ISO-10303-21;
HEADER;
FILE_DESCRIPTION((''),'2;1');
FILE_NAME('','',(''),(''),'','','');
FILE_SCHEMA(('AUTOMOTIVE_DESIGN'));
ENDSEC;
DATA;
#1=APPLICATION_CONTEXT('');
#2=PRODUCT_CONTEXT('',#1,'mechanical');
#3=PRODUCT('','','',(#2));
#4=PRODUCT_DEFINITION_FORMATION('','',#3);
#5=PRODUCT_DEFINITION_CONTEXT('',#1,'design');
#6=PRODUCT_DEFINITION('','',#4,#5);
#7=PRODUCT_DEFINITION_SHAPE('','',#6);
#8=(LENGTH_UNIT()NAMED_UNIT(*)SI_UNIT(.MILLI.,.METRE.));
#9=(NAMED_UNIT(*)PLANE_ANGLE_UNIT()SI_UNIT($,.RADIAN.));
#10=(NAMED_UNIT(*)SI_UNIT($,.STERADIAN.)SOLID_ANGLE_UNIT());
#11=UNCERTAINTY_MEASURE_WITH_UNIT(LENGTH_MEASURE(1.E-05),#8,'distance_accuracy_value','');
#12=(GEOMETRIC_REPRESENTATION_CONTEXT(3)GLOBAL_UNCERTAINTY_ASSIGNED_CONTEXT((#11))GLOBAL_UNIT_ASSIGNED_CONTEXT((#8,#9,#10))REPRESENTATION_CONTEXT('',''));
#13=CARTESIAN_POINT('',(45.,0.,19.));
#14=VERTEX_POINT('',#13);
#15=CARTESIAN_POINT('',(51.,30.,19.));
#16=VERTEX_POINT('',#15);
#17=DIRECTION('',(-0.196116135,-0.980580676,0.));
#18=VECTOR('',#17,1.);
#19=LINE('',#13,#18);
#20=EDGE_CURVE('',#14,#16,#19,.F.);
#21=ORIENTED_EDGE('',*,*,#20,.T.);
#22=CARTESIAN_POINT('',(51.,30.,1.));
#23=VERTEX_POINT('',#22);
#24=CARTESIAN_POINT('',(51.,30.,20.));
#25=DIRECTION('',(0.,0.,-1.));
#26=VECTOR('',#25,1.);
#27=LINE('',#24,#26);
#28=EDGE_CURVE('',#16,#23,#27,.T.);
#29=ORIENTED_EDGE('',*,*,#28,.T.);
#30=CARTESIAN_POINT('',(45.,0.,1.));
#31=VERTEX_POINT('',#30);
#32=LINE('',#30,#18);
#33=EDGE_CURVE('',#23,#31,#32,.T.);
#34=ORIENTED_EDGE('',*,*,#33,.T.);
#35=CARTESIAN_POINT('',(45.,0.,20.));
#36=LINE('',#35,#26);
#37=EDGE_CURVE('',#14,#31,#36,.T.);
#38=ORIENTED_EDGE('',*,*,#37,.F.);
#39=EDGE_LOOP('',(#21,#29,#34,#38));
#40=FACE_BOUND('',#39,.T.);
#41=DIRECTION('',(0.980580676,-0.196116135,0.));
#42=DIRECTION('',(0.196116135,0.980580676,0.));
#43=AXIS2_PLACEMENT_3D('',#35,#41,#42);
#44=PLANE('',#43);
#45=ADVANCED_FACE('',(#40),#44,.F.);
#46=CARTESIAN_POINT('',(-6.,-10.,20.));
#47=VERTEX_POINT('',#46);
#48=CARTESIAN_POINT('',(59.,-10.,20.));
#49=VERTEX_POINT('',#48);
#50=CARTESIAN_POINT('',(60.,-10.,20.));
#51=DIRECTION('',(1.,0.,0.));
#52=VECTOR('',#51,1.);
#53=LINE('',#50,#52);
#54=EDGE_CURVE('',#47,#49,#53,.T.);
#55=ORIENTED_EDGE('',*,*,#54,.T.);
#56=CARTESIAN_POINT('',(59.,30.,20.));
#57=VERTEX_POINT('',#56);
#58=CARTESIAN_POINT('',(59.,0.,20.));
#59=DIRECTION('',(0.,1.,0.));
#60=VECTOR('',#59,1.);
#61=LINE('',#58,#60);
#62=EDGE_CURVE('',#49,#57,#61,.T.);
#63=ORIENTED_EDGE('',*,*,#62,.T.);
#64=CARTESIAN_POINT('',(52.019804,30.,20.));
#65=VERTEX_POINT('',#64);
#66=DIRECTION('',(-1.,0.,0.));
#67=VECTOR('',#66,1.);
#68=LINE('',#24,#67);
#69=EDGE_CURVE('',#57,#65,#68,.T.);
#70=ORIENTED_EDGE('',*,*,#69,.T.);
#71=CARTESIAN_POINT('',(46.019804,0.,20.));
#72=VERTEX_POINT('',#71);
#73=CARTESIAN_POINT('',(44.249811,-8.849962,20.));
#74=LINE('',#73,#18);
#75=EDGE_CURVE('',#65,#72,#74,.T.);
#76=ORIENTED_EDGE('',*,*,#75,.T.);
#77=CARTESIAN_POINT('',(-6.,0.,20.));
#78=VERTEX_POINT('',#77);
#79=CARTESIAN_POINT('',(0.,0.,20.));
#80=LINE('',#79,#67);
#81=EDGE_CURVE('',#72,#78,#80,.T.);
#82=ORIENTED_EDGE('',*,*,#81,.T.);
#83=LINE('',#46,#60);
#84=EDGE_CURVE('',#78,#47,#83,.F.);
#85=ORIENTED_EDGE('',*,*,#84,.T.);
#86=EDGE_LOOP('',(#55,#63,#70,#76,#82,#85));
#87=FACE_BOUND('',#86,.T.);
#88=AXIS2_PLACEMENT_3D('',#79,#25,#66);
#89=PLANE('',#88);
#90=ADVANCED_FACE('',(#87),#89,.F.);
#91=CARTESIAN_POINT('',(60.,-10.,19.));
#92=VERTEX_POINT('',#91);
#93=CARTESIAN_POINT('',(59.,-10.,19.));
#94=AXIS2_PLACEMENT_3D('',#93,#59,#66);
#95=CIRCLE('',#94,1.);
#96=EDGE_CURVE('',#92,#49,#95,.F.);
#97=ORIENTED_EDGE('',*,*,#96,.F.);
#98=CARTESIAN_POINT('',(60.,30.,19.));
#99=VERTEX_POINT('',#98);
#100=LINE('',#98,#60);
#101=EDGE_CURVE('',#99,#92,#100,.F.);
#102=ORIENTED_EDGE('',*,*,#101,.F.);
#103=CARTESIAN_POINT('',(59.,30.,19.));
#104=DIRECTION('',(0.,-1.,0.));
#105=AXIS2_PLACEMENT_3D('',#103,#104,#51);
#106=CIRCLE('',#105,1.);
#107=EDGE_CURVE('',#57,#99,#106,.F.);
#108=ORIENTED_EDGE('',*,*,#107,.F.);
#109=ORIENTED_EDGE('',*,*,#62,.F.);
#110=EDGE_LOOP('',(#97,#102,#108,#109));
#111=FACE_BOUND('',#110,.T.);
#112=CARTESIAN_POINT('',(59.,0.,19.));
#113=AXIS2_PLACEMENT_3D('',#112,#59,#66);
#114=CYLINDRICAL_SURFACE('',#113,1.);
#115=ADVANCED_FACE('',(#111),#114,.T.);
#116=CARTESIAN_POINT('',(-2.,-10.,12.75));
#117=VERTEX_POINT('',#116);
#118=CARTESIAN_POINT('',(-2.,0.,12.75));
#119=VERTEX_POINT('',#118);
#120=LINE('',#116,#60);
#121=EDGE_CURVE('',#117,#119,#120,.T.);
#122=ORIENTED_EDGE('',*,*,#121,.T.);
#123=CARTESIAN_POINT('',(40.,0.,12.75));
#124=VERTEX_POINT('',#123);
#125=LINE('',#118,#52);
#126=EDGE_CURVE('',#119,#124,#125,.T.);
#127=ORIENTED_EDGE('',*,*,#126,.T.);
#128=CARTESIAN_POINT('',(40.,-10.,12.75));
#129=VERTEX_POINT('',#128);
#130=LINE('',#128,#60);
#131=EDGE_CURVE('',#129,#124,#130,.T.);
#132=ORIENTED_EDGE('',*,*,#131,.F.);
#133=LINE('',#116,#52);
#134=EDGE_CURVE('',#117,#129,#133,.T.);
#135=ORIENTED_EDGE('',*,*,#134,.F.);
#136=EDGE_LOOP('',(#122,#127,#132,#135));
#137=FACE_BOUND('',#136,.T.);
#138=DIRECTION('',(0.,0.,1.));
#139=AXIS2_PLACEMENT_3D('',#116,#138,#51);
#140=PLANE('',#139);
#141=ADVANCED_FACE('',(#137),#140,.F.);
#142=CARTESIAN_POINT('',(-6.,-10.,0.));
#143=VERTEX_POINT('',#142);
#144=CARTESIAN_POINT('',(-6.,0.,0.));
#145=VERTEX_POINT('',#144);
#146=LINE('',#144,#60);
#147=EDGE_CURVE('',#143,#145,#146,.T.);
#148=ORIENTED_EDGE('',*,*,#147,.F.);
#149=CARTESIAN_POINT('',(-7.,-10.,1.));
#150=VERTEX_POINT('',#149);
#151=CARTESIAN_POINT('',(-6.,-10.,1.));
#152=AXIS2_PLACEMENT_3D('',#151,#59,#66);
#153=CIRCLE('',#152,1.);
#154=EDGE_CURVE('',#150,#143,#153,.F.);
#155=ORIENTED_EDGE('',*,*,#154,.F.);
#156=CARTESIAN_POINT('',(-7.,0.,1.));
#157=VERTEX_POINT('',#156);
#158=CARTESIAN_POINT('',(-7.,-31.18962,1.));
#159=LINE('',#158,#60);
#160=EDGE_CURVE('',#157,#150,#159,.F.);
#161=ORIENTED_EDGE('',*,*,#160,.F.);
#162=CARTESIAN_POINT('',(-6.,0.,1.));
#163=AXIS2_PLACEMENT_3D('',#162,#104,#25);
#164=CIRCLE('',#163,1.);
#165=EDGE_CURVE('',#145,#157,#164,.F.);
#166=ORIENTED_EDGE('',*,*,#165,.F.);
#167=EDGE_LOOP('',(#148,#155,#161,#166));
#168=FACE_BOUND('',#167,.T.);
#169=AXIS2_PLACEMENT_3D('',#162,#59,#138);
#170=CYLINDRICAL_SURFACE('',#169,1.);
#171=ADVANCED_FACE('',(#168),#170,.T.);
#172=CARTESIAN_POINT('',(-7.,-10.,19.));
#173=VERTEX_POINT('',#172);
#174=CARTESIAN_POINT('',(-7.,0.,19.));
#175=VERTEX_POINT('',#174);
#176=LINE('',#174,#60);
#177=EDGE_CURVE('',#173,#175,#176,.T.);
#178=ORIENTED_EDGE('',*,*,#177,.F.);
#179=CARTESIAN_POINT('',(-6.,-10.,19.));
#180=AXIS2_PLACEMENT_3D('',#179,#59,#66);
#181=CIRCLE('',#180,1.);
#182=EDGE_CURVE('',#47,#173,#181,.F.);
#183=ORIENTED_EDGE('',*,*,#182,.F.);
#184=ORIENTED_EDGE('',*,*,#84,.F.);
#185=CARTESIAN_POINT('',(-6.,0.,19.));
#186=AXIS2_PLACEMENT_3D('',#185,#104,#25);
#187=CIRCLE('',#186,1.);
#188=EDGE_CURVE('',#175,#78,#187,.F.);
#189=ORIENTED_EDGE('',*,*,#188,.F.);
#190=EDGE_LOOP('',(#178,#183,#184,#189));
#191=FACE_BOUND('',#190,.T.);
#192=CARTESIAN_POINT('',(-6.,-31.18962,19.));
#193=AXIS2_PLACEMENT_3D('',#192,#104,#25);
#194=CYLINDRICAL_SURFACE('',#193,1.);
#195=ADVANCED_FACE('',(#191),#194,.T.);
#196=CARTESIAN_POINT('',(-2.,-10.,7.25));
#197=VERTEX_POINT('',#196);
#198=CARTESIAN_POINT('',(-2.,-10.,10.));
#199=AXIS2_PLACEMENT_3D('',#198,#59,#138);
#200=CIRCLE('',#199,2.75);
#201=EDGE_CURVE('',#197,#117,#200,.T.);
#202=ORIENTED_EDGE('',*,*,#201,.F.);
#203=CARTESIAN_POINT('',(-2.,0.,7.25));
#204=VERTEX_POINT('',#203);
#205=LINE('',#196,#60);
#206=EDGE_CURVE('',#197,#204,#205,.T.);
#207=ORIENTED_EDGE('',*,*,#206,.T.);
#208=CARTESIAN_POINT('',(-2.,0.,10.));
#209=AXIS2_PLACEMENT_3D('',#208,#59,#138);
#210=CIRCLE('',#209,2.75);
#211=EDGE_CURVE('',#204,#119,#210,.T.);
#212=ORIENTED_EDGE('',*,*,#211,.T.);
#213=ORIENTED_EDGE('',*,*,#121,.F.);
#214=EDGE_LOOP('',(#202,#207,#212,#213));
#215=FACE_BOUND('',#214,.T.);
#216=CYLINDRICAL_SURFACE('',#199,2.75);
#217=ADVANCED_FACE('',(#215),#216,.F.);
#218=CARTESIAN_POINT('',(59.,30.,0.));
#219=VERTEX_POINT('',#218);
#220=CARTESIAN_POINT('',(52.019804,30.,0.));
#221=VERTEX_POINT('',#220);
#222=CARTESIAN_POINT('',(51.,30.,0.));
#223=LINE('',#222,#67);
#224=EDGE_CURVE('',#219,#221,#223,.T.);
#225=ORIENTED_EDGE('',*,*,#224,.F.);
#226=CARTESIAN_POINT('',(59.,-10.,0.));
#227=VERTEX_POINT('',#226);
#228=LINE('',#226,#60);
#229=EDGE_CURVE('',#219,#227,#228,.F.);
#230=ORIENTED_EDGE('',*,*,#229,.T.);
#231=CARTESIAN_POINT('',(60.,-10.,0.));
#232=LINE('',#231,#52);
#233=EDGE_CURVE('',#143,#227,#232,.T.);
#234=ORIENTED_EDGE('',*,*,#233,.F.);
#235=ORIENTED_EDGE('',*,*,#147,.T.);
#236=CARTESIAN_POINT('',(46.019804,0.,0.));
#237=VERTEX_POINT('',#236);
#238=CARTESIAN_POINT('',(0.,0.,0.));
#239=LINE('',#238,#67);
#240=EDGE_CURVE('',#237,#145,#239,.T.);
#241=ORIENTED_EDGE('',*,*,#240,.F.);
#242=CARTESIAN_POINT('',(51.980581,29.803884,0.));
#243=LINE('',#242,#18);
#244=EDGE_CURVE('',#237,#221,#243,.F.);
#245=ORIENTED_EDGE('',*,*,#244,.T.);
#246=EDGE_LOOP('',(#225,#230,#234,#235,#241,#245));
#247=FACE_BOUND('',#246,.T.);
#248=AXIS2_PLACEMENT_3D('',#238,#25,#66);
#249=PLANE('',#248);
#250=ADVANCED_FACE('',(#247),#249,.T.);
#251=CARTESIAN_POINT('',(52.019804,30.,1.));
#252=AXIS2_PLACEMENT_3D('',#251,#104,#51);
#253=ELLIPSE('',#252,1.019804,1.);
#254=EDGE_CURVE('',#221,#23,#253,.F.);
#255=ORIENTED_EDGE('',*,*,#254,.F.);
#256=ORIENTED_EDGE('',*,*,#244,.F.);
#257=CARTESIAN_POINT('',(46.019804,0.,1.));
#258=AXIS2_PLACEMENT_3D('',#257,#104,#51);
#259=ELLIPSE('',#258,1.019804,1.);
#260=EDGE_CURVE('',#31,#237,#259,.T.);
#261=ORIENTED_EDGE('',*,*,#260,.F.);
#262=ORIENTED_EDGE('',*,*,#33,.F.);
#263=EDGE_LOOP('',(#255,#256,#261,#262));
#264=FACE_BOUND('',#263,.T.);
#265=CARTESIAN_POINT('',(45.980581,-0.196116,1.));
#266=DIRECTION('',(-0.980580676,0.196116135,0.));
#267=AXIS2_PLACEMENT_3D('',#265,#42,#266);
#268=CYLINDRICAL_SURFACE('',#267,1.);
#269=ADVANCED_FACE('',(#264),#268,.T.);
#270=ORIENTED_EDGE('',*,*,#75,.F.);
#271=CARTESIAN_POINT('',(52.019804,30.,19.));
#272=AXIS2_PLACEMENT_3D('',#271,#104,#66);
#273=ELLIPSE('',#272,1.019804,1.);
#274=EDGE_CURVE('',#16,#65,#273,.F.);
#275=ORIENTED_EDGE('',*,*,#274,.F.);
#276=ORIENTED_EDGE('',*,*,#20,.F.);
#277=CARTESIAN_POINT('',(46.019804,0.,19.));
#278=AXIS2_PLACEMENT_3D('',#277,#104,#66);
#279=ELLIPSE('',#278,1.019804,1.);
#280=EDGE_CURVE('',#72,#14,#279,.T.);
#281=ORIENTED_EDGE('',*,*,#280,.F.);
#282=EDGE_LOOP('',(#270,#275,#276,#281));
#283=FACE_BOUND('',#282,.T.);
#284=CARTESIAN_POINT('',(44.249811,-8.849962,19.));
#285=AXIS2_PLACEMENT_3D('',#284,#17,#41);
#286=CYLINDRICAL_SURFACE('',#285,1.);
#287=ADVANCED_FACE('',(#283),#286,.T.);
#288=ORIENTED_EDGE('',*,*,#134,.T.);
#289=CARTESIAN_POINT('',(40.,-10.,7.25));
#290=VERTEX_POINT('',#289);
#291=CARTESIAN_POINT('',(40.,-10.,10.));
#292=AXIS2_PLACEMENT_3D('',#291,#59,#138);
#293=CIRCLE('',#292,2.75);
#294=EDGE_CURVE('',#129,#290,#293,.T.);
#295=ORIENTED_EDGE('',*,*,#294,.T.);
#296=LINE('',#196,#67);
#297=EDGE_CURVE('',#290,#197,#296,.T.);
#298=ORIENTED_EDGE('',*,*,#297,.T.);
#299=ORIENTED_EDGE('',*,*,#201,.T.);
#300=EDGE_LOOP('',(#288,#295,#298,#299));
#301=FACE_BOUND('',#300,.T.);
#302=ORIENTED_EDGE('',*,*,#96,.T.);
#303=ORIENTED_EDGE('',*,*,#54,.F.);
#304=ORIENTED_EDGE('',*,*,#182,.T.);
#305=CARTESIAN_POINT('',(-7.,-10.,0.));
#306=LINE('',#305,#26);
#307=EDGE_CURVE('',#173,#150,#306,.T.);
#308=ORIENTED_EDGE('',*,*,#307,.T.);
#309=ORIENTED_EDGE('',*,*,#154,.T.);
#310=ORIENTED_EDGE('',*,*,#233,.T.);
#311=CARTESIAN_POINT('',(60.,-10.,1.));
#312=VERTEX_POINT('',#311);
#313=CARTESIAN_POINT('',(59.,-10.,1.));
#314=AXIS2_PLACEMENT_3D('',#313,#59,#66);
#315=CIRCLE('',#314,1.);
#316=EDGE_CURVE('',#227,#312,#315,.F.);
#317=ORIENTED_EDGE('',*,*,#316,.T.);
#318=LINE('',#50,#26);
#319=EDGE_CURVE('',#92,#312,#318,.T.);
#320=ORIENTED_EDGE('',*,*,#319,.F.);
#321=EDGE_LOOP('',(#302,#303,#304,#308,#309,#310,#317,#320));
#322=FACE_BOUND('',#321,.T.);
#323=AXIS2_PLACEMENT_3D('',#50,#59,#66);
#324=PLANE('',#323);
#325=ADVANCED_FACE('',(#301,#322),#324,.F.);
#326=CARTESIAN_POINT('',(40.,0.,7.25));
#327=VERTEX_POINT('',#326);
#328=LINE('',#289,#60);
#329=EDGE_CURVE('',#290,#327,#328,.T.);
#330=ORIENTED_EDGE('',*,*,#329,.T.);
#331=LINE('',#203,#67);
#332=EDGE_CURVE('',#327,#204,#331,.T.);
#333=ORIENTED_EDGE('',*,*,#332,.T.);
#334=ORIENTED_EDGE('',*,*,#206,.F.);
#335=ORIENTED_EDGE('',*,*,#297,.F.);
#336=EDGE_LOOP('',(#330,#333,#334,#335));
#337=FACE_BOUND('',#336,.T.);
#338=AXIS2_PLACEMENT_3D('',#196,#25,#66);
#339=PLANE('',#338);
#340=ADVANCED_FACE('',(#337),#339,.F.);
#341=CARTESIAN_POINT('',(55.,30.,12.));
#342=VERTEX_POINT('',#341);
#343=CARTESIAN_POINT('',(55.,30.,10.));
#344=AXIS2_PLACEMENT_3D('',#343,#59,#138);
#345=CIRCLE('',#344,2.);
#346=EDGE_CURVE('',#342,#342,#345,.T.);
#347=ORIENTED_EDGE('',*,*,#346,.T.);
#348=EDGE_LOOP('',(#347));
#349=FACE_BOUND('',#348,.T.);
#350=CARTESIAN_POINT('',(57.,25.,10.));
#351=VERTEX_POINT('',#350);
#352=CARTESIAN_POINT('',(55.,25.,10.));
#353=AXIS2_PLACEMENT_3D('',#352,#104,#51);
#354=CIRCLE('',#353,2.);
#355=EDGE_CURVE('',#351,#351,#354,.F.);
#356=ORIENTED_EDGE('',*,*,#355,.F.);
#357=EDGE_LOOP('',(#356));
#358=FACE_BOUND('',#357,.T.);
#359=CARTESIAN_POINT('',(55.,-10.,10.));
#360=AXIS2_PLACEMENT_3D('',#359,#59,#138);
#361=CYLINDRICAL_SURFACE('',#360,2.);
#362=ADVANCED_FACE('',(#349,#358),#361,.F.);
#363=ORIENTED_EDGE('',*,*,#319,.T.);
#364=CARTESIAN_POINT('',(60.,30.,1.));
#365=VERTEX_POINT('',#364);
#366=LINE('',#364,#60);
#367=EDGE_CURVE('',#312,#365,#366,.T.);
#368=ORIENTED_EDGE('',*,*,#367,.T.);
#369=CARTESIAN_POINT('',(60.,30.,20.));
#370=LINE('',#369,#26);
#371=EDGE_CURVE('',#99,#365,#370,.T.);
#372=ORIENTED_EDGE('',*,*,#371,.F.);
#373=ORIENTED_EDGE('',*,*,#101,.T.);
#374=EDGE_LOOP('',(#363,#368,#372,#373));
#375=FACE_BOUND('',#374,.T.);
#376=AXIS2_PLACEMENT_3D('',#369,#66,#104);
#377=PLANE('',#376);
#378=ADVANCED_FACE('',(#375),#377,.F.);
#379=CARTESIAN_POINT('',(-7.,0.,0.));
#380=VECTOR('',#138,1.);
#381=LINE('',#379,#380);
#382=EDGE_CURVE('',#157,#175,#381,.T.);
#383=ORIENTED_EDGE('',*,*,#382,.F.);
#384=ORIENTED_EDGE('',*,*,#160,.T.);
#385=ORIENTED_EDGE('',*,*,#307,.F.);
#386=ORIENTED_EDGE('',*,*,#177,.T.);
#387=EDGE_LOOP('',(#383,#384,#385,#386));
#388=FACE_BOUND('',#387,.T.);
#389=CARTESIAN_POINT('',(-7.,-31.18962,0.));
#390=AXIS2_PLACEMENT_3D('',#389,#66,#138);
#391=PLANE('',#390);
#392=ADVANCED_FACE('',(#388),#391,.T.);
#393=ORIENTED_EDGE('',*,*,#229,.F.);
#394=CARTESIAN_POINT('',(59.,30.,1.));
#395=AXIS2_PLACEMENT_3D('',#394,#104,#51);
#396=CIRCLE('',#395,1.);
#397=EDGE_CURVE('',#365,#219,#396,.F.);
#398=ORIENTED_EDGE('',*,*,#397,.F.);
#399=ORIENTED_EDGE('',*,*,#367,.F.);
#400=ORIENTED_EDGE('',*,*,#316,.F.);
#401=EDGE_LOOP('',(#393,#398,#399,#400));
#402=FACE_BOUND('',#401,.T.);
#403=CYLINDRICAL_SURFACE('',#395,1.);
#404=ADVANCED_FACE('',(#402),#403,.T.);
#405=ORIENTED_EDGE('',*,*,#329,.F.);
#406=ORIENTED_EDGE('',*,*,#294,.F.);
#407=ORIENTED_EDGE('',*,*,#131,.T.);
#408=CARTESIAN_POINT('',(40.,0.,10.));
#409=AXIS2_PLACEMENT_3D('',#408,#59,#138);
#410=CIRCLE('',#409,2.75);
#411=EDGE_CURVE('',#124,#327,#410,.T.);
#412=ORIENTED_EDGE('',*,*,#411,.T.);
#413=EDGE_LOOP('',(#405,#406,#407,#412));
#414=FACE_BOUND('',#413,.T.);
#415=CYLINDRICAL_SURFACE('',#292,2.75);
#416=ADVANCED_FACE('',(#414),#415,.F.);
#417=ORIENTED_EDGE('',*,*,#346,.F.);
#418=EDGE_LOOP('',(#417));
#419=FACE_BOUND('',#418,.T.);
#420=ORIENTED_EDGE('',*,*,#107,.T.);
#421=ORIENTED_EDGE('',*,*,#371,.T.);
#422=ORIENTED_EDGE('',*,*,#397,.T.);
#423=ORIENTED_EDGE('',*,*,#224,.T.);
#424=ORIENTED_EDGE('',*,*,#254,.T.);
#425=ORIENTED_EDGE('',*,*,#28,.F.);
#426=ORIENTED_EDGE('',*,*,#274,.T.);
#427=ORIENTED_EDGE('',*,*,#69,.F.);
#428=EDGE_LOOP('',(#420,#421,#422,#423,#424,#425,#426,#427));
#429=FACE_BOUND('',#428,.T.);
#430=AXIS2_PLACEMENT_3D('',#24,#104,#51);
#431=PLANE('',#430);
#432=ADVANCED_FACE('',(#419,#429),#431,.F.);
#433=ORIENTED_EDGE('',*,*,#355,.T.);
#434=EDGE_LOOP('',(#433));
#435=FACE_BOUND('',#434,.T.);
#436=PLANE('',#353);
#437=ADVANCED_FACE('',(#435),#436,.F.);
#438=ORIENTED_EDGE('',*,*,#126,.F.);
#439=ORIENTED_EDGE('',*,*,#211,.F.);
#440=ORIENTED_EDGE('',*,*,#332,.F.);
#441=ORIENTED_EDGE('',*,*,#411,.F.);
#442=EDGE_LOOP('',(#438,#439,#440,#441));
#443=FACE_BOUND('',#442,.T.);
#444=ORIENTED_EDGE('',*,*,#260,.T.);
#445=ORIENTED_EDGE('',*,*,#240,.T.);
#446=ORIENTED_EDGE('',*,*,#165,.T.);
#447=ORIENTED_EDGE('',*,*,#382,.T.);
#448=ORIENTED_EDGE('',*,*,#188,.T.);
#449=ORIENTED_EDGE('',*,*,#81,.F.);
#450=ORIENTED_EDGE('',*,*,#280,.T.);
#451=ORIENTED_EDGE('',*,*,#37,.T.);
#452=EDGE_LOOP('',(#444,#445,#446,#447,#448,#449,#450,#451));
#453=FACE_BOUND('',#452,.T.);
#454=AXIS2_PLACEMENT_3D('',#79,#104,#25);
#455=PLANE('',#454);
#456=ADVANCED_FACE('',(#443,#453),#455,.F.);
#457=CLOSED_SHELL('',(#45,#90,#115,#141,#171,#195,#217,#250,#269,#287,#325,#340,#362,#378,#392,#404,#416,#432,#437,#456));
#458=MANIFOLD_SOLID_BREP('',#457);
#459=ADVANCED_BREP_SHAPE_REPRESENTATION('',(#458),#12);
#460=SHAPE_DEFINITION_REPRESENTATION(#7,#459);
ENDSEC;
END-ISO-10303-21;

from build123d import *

# Parameters (mm, degrees)
EXTRUDE_1_DEPTH     = 20
SKETCH_2_R          = 2
SKETCH_2_R_2        = 2.75
CUT_EXTRUDE_1_DEPTH = 75.833147735
EXTRUDE_START       = -35
SKETCH_3_R          = 2
EXTRUDE_2_DEPTH     = 35
SKETCH_4_W          = 7
SKETCH_4_H          = 20
EXTRUDE_3_DEPTH     = 10
FILLET_2_R          = 1
CUT_EXTRUDE_2_DEPTH = 71


with BuildPart() as part:
    # ｽｹｯﾁ1 → ﾎﾞｽ - 押し出し1 (new body)
    with BuildSketch(Plane.XY):
        Polygon((0, 0), (45, 0), (51, 30), (60, 30), (60, -10), (0, -10), align=None)
    extrude(amount=EXTRUDE_1_DEPTH)

    # ｽｹｯﾁ2 → ｶｯﾄ - 押し出し1 (cut, through all)
    with BuildSketch(Plane(origin=(0, 30, 0), x_dir=(1, 0, 0), z_dir=(0, 1, 0))):
        with Locations(Location((55, -10, 0), (0, 0, 270))):
            Circle(SKETCH_2_R)
        with Locations(Location((3, -10, 0), (0, 0, 270))):
            Circle(SKETCH_2_R_2)
    extrude(amount=-CUT_EXTRUDE_1_DEPTH, mode=Mode.SUBTRACT)

    # ｽｹｯﾁ3 → ﾎﾞｽ - 押し出し2 (add)
    with BuildSketch(Plane.XZ.offset(10).offset(EXTRUDE_START)):
        with Locations(Location((55, 10, 0), (0, 0, 90))):
            Circle(SKETCH_3_R)
    extrude(amount=EXTRUDE_2_DEPTH)

    # ｽｹｯﾁ4 → ﾎﾞｽ - 押し出し3 (add)
    with BuildSketch(Plane(origin=(0, 0, 0), x_dir=(1, 0, 0), z_dir=(0, 1, 0))):
        with Locations((-3.5, -10)):
            Rectangle(SKETCH_4_W, SKETCH_4_H)
    extrude(amount=-EXTRUDE_3_DEPTH)

    # ﾌｨﾚｯﾄ2
    fillet_2_edges = [part.edges().sort_by_distance(p)[0] for p in [
        (60, 10, 20),
        (48, 15, 20),
        (-7, -5, 20),
        (-7, -5, 0),
        (48, 15, 0),
        (60, 10, 0),
    ]]
    fillet(fillet_2_edges, radius=FILLET_2_R)

    # ｽｹｯﾁ5 → ｶｯﾄ - 押し出し2 (cut, through all)
    with BuildSketch(Plane(origin=(0, 0, 0), x_dir=(1, 0, 0), z_dir=(0, 1, 0))):
        with BuildLine():
            Line((-2, -7.25), (40, -7.25))
            ThreePointArc((40, -7.25), (42.75, -10), (40, -12.75))
            Line((40, -12.75), (-2, -12.75))
            ThreePointArc((-2, -12.75), (-4.75, -10), (-2, -7.25))
        make_face()
    extrude(amount=-CUT_EXTRUDE_2_DEPTH, mode=Mode.SUBTRACT)


solid = part.part
